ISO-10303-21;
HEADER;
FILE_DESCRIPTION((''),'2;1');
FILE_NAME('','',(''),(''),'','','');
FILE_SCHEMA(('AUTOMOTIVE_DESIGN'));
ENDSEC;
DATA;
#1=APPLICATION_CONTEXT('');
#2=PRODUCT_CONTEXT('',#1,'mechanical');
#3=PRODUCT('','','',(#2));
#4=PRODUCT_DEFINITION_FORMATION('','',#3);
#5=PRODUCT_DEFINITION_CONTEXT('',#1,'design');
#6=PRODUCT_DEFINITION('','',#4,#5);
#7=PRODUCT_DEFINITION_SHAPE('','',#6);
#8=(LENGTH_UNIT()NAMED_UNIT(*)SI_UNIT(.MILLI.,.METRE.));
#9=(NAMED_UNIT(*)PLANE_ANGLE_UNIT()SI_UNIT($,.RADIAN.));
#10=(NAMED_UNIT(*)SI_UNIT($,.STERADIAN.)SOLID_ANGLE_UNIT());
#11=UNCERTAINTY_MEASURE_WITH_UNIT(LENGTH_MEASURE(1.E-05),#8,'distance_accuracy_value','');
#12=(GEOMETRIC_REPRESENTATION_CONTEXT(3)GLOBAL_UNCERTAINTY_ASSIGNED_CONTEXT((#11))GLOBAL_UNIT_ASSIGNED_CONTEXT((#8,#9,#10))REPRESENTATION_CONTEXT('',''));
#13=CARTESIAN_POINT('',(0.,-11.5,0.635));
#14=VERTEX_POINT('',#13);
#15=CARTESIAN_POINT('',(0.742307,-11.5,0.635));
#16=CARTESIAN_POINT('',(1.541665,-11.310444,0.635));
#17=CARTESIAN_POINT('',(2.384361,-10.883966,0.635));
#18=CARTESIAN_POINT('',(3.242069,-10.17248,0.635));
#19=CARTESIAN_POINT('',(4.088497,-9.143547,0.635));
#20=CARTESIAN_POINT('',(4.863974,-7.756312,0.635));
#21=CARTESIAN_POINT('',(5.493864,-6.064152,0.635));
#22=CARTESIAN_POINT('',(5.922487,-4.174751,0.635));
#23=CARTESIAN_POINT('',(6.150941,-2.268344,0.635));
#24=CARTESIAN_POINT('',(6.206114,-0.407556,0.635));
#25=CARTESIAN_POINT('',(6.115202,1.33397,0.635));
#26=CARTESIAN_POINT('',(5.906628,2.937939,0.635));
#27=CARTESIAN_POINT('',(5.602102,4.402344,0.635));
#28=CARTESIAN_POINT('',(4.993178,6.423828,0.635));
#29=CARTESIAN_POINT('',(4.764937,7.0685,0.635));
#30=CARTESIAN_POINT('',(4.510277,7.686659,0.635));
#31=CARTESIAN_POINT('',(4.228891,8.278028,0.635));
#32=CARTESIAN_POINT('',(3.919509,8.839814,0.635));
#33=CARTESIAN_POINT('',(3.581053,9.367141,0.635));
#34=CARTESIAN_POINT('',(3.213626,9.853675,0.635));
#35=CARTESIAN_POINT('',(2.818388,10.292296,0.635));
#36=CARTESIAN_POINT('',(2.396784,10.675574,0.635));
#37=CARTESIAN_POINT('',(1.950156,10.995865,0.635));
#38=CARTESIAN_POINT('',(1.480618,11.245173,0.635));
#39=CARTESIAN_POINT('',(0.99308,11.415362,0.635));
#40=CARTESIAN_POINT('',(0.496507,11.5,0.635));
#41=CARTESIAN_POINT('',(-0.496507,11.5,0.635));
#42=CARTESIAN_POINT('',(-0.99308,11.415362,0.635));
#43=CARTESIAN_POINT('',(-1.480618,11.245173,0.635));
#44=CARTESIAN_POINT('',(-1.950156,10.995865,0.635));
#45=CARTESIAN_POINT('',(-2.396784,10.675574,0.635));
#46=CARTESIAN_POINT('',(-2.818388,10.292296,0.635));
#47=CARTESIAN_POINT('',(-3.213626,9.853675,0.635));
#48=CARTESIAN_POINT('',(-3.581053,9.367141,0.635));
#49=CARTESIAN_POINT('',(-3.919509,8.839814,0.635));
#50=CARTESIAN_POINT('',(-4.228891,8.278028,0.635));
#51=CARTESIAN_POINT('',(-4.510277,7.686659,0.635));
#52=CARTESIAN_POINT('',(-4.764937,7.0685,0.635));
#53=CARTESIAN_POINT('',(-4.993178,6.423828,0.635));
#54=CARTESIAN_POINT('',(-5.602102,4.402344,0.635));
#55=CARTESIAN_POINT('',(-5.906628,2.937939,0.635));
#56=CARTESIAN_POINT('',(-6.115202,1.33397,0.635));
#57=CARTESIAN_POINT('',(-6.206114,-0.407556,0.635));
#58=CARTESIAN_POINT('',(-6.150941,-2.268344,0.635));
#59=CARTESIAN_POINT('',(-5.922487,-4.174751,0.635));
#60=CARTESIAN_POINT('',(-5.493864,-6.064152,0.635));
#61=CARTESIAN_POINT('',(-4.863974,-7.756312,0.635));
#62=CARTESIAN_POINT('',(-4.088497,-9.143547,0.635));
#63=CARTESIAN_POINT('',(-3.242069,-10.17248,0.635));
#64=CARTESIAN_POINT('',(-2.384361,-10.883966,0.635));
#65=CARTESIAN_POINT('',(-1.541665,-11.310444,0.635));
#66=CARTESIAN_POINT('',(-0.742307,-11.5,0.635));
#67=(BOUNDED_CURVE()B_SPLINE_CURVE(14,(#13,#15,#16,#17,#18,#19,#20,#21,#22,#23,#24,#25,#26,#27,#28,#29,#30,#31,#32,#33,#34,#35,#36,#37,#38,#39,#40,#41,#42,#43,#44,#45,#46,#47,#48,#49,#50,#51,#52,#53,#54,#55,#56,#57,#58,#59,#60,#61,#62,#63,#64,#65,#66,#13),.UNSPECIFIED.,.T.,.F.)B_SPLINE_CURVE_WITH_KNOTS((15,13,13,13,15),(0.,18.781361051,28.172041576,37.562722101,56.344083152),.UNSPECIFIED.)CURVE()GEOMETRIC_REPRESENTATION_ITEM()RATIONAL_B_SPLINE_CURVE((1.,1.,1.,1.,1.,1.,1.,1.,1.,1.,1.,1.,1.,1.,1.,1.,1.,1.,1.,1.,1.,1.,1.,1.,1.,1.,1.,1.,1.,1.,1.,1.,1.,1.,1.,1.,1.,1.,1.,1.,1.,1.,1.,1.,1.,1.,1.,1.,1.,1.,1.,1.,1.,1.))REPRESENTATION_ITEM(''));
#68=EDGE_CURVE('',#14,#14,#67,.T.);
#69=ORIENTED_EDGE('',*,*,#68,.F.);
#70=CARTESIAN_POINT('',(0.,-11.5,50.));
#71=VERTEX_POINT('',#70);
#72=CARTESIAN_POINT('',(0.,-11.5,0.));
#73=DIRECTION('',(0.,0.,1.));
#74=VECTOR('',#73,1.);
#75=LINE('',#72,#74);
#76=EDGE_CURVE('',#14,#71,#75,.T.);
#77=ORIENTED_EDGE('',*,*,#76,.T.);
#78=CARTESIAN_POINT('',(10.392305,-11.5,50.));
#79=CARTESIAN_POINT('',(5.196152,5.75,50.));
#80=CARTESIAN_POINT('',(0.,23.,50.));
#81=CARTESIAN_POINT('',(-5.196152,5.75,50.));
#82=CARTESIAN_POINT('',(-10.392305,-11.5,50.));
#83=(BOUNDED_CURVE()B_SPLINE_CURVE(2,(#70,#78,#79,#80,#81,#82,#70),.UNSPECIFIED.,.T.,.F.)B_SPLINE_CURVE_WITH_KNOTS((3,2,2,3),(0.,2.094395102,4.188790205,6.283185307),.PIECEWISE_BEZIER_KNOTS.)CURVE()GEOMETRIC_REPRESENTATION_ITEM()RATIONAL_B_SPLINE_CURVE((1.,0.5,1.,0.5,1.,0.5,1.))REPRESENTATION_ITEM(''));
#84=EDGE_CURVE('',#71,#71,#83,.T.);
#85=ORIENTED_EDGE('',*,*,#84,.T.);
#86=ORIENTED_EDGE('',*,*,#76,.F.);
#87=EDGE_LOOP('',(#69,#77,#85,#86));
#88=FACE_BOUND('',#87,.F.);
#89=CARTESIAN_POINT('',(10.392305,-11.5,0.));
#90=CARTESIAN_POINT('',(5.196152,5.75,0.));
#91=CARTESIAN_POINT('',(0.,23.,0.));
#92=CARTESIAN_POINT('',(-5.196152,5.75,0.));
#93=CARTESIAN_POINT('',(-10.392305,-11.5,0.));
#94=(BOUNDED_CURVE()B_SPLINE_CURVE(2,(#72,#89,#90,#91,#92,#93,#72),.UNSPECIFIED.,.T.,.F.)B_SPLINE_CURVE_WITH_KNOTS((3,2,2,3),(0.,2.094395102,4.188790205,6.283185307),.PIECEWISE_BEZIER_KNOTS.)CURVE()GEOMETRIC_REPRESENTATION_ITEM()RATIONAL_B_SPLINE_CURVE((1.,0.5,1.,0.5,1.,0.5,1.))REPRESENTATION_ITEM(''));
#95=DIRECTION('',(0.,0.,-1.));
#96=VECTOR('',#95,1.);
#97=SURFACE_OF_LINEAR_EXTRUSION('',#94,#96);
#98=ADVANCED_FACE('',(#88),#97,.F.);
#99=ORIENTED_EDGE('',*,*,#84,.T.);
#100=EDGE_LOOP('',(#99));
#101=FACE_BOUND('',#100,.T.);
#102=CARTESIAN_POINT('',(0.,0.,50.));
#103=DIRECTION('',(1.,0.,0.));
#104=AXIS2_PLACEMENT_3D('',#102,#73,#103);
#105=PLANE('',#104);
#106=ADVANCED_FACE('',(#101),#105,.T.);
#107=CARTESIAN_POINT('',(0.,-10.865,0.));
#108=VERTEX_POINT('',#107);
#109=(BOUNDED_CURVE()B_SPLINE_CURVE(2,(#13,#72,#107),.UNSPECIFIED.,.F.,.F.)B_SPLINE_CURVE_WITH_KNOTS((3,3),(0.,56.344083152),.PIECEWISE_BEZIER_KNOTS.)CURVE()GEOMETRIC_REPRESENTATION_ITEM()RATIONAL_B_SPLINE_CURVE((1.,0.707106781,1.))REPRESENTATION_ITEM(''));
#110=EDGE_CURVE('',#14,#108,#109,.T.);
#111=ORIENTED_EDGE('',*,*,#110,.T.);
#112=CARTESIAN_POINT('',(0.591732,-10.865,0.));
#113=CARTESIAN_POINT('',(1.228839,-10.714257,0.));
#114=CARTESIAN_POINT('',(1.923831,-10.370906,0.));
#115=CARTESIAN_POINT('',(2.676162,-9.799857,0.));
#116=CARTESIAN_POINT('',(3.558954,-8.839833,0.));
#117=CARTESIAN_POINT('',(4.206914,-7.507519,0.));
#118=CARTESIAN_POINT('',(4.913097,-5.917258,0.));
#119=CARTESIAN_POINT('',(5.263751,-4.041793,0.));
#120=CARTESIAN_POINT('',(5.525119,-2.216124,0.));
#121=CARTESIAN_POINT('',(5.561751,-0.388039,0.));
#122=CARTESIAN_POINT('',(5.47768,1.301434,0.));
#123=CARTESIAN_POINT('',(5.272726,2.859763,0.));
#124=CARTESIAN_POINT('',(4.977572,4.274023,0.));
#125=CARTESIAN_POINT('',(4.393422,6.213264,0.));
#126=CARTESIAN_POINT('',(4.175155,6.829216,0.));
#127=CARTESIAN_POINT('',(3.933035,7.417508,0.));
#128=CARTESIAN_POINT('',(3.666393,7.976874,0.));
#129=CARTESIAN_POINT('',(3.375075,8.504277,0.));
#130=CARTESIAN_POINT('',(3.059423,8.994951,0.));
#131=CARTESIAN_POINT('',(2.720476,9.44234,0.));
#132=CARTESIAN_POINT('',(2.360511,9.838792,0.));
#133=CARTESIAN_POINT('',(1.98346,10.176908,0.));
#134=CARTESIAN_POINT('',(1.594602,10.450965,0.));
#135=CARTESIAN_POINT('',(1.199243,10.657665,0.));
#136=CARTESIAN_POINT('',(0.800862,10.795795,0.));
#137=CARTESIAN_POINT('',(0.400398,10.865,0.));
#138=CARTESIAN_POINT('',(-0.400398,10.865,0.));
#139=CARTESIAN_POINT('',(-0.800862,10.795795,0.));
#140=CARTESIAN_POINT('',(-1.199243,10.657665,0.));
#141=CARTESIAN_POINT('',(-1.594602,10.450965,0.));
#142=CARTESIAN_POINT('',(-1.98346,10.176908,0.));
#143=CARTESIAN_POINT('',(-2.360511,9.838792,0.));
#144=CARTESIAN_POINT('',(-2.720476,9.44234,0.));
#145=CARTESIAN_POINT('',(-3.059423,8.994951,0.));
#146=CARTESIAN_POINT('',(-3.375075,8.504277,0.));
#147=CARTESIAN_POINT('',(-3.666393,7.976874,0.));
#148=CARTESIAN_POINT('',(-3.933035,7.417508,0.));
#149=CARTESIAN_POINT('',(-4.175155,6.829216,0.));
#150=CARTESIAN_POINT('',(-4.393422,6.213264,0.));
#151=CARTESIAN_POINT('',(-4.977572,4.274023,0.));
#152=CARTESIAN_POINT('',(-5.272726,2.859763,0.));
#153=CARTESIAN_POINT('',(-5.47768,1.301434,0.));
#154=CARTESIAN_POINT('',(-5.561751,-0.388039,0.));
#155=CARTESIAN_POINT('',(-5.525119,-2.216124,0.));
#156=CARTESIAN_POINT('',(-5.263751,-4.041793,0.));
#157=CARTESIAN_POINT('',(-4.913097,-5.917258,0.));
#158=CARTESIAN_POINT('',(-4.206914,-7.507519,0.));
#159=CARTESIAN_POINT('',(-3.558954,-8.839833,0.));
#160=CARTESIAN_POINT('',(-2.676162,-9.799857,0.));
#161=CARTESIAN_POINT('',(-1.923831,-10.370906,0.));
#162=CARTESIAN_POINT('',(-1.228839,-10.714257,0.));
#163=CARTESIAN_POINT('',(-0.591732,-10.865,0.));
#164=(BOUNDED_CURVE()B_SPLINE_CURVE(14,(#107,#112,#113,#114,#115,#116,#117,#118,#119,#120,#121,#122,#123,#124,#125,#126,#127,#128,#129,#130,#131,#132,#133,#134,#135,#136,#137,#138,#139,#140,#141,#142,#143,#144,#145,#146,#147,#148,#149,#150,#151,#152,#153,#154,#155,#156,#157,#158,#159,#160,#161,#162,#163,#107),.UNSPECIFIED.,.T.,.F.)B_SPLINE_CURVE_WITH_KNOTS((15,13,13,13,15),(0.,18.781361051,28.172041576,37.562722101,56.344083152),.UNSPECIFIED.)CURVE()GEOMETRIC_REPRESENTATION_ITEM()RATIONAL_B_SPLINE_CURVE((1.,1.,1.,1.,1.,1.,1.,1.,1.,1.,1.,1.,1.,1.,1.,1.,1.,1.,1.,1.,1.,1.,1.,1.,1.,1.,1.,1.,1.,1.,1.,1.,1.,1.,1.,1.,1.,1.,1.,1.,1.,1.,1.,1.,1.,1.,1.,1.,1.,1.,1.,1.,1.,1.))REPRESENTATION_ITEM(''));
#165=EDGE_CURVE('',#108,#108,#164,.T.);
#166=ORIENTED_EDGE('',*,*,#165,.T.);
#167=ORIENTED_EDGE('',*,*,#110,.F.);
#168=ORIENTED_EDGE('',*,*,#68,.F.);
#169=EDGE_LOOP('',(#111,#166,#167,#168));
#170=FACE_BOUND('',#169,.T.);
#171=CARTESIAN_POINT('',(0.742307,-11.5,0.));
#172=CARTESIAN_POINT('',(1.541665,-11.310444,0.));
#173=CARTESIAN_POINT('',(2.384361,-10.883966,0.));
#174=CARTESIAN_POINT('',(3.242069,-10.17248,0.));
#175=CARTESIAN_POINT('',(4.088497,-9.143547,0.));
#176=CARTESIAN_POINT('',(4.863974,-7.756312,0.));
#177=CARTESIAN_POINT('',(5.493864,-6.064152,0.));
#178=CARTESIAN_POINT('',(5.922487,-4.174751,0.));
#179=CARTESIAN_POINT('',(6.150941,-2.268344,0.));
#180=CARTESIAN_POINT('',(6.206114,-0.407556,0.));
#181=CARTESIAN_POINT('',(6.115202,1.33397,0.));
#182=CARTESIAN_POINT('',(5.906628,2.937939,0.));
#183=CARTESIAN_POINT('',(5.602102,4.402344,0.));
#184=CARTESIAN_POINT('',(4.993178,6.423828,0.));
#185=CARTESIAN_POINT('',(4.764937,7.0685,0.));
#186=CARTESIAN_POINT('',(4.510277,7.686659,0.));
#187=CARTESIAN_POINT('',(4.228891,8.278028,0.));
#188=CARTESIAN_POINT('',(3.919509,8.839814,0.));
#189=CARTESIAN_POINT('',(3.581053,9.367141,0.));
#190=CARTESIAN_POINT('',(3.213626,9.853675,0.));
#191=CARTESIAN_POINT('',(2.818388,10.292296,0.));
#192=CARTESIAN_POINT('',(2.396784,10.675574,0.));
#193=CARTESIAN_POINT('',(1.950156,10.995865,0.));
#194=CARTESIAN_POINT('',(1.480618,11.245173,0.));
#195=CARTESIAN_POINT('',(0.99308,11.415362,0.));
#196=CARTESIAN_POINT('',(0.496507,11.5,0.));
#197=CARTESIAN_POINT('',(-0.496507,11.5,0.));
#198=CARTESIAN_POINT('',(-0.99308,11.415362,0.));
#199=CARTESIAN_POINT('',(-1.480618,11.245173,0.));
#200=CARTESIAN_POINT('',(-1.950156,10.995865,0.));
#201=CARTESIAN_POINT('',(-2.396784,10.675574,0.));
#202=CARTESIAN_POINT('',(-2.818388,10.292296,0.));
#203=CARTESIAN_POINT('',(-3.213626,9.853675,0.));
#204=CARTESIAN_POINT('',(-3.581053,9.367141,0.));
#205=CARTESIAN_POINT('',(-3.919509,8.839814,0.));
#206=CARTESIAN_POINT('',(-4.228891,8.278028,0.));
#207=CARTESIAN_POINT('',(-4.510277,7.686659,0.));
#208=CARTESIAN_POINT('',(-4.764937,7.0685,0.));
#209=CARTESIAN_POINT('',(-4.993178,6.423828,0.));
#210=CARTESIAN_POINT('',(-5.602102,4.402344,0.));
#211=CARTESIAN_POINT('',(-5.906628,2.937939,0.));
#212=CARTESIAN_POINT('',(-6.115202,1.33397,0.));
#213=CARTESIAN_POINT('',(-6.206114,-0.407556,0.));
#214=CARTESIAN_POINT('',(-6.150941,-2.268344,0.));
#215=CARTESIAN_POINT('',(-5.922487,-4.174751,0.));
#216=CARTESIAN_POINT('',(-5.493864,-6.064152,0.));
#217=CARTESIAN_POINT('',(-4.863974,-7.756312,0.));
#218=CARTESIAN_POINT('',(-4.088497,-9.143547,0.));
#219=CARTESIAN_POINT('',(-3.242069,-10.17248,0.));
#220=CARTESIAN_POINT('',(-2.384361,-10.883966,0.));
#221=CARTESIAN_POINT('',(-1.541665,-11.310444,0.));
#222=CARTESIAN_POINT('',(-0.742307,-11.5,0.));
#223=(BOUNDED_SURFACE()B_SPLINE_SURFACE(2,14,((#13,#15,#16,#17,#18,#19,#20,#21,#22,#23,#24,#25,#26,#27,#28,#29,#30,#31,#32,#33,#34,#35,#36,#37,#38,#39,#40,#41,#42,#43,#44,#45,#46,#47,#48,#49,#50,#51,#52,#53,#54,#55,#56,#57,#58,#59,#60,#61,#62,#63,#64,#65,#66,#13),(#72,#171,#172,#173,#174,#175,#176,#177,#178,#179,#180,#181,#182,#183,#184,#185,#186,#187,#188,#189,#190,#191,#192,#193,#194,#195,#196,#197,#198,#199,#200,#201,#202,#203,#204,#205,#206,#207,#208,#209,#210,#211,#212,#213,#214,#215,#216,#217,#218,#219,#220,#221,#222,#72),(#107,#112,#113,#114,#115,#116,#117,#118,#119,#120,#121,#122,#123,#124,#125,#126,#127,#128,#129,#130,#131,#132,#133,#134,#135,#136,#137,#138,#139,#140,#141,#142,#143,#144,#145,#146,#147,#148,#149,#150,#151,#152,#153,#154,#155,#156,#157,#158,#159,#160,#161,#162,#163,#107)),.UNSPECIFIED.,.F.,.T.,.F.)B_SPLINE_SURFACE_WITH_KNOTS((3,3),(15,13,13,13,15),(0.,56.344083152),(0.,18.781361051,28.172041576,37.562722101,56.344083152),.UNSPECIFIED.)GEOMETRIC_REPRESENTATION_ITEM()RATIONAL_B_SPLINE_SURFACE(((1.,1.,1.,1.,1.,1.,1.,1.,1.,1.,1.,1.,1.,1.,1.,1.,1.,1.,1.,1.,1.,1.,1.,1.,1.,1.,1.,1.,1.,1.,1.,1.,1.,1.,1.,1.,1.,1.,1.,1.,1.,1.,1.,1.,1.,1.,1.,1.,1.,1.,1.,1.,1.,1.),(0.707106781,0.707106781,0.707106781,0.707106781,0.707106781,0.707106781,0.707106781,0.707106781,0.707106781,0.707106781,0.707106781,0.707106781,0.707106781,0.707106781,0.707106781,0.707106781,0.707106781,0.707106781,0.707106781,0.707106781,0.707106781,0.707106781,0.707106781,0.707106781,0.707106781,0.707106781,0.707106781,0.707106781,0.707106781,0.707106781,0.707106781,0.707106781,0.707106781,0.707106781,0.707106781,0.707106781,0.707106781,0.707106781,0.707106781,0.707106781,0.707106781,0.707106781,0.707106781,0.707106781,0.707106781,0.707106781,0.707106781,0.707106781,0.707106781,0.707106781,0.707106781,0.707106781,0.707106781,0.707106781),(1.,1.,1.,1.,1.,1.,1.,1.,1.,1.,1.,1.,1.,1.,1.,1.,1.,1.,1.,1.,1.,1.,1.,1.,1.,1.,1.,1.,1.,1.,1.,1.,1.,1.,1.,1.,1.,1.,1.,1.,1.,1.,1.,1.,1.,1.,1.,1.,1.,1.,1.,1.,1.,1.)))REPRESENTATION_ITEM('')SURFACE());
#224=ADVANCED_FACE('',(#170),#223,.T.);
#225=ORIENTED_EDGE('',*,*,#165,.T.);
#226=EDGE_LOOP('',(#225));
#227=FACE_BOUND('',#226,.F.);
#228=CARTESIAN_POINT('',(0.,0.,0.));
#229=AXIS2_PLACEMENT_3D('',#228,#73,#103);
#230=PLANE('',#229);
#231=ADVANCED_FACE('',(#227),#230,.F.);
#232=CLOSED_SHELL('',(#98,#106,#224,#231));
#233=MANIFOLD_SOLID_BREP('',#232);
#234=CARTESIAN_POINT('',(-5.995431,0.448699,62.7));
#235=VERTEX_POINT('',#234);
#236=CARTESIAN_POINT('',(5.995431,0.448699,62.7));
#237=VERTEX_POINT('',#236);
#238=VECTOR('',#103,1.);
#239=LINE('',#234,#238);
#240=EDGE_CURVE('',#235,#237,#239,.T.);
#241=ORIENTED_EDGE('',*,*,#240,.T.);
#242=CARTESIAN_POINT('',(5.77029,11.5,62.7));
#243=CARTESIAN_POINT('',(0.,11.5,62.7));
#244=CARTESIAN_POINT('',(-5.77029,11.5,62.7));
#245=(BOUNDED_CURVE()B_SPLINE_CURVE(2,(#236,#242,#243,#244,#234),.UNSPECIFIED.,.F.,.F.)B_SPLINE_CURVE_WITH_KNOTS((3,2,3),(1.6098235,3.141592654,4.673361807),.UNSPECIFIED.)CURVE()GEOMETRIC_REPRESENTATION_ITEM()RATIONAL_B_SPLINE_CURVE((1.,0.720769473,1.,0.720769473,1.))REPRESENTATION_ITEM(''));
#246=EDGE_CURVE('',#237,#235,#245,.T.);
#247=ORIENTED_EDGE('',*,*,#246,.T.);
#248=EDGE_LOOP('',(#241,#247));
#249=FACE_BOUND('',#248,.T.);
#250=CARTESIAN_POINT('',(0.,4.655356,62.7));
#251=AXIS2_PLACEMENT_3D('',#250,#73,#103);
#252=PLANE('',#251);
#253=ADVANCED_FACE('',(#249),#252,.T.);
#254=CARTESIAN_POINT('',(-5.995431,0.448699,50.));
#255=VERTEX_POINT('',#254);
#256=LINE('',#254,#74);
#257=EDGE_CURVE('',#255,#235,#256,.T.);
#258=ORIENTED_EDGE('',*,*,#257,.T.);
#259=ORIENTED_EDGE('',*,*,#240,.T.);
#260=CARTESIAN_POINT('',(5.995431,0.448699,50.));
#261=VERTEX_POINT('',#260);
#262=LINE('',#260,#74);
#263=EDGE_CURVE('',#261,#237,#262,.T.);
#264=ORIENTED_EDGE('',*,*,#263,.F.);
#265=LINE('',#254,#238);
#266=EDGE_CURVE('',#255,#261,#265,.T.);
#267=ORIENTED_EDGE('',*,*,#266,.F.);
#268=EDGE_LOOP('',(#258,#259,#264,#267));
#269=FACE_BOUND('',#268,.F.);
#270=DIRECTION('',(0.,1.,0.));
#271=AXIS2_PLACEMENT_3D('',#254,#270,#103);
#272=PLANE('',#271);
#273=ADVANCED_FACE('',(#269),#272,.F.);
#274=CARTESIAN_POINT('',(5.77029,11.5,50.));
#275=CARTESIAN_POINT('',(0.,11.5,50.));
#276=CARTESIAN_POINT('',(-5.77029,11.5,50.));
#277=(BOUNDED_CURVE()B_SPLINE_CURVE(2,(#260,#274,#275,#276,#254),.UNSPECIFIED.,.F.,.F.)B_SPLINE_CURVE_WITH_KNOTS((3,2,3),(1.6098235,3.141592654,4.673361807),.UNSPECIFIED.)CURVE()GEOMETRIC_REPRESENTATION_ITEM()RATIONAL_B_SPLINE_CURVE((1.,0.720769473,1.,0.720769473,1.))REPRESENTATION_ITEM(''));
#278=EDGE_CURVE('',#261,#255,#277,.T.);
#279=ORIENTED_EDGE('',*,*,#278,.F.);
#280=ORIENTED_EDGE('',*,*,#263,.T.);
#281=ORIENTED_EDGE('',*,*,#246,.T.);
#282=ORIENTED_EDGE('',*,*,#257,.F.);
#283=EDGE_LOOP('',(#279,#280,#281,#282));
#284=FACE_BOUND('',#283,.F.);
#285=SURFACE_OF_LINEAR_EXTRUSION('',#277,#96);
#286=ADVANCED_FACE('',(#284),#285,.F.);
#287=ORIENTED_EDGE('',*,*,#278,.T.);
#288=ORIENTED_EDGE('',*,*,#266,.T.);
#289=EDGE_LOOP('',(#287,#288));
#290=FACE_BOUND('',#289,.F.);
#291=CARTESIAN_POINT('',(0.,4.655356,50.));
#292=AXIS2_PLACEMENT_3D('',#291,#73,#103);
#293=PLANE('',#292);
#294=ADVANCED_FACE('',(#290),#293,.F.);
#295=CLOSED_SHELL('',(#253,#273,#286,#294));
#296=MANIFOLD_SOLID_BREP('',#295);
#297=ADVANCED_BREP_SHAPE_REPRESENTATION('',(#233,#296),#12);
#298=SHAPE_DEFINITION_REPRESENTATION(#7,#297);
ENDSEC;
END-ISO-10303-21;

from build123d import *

# Parameters (mm, degrees)
F1_DEPTH = 50
F2_R     = 0.635
F4_DEPTH = 12.7


with BuildPart() as f1:
    # F0 (on Top) → F1 (new body)
    with BuildSketch(Plane.XY):
        with BuildLine():
            add(Edge.make_bspline(
                [(0, -11.5), (10.3923048454, -11.5), (5.1961524227, 5.75), (0, 23), (-5.1961524227, 5.75), (-10.3923048454, -11.5), (0, -11.5)],
                knots=[0, 0, 0, 2.0943951024, 2.0943951024, 4.1887902048, 4.1887902048, 6.2831853072, 6.2831853072, 6.2831853072], degree=2, weights=[1, 0.5, 1, 0.5, 1, 0.5, 1]))
        make_face()
    extrude(amount=F1_DEPTH)

    # F2
    f2_edges = [f1.edges().sort_by_distance(p)[0] for p in [
        (1e-06, 11.5, 0),
    ]]
    fillet(f2_edges, radius=F2_R)


with BuildPart() as f4:
    # F3 (on face) → F4 (new body)
    with BuildSketch(Plane.XY.offset(50)):
        with BuildLine():
            Line((-5.9954312191, 0.4486985718), (5.9954312191, 0.4486985718))
            add(Edge.make_bspline(
                [(5.9954312191, 0.4486985718), (5.7702902626, 11.5), (0, 11.5), (-5.7702902626, 11.5), (-5.9954312191, 0.4486985718)],
                knots=[1.6098235003, 1.6098235003, 1.6098235003, 3.1415926536, 3.1415926536, 4.6733618068, 4.6733618068, 4.6733618068], degree=2, weights=[1, 0.7207694732, 1, 0.7207694732, 1]))
        make_face()
    extrude(amount=F4_DEPTH)


solid = Compound([f1.part, f4.part])
